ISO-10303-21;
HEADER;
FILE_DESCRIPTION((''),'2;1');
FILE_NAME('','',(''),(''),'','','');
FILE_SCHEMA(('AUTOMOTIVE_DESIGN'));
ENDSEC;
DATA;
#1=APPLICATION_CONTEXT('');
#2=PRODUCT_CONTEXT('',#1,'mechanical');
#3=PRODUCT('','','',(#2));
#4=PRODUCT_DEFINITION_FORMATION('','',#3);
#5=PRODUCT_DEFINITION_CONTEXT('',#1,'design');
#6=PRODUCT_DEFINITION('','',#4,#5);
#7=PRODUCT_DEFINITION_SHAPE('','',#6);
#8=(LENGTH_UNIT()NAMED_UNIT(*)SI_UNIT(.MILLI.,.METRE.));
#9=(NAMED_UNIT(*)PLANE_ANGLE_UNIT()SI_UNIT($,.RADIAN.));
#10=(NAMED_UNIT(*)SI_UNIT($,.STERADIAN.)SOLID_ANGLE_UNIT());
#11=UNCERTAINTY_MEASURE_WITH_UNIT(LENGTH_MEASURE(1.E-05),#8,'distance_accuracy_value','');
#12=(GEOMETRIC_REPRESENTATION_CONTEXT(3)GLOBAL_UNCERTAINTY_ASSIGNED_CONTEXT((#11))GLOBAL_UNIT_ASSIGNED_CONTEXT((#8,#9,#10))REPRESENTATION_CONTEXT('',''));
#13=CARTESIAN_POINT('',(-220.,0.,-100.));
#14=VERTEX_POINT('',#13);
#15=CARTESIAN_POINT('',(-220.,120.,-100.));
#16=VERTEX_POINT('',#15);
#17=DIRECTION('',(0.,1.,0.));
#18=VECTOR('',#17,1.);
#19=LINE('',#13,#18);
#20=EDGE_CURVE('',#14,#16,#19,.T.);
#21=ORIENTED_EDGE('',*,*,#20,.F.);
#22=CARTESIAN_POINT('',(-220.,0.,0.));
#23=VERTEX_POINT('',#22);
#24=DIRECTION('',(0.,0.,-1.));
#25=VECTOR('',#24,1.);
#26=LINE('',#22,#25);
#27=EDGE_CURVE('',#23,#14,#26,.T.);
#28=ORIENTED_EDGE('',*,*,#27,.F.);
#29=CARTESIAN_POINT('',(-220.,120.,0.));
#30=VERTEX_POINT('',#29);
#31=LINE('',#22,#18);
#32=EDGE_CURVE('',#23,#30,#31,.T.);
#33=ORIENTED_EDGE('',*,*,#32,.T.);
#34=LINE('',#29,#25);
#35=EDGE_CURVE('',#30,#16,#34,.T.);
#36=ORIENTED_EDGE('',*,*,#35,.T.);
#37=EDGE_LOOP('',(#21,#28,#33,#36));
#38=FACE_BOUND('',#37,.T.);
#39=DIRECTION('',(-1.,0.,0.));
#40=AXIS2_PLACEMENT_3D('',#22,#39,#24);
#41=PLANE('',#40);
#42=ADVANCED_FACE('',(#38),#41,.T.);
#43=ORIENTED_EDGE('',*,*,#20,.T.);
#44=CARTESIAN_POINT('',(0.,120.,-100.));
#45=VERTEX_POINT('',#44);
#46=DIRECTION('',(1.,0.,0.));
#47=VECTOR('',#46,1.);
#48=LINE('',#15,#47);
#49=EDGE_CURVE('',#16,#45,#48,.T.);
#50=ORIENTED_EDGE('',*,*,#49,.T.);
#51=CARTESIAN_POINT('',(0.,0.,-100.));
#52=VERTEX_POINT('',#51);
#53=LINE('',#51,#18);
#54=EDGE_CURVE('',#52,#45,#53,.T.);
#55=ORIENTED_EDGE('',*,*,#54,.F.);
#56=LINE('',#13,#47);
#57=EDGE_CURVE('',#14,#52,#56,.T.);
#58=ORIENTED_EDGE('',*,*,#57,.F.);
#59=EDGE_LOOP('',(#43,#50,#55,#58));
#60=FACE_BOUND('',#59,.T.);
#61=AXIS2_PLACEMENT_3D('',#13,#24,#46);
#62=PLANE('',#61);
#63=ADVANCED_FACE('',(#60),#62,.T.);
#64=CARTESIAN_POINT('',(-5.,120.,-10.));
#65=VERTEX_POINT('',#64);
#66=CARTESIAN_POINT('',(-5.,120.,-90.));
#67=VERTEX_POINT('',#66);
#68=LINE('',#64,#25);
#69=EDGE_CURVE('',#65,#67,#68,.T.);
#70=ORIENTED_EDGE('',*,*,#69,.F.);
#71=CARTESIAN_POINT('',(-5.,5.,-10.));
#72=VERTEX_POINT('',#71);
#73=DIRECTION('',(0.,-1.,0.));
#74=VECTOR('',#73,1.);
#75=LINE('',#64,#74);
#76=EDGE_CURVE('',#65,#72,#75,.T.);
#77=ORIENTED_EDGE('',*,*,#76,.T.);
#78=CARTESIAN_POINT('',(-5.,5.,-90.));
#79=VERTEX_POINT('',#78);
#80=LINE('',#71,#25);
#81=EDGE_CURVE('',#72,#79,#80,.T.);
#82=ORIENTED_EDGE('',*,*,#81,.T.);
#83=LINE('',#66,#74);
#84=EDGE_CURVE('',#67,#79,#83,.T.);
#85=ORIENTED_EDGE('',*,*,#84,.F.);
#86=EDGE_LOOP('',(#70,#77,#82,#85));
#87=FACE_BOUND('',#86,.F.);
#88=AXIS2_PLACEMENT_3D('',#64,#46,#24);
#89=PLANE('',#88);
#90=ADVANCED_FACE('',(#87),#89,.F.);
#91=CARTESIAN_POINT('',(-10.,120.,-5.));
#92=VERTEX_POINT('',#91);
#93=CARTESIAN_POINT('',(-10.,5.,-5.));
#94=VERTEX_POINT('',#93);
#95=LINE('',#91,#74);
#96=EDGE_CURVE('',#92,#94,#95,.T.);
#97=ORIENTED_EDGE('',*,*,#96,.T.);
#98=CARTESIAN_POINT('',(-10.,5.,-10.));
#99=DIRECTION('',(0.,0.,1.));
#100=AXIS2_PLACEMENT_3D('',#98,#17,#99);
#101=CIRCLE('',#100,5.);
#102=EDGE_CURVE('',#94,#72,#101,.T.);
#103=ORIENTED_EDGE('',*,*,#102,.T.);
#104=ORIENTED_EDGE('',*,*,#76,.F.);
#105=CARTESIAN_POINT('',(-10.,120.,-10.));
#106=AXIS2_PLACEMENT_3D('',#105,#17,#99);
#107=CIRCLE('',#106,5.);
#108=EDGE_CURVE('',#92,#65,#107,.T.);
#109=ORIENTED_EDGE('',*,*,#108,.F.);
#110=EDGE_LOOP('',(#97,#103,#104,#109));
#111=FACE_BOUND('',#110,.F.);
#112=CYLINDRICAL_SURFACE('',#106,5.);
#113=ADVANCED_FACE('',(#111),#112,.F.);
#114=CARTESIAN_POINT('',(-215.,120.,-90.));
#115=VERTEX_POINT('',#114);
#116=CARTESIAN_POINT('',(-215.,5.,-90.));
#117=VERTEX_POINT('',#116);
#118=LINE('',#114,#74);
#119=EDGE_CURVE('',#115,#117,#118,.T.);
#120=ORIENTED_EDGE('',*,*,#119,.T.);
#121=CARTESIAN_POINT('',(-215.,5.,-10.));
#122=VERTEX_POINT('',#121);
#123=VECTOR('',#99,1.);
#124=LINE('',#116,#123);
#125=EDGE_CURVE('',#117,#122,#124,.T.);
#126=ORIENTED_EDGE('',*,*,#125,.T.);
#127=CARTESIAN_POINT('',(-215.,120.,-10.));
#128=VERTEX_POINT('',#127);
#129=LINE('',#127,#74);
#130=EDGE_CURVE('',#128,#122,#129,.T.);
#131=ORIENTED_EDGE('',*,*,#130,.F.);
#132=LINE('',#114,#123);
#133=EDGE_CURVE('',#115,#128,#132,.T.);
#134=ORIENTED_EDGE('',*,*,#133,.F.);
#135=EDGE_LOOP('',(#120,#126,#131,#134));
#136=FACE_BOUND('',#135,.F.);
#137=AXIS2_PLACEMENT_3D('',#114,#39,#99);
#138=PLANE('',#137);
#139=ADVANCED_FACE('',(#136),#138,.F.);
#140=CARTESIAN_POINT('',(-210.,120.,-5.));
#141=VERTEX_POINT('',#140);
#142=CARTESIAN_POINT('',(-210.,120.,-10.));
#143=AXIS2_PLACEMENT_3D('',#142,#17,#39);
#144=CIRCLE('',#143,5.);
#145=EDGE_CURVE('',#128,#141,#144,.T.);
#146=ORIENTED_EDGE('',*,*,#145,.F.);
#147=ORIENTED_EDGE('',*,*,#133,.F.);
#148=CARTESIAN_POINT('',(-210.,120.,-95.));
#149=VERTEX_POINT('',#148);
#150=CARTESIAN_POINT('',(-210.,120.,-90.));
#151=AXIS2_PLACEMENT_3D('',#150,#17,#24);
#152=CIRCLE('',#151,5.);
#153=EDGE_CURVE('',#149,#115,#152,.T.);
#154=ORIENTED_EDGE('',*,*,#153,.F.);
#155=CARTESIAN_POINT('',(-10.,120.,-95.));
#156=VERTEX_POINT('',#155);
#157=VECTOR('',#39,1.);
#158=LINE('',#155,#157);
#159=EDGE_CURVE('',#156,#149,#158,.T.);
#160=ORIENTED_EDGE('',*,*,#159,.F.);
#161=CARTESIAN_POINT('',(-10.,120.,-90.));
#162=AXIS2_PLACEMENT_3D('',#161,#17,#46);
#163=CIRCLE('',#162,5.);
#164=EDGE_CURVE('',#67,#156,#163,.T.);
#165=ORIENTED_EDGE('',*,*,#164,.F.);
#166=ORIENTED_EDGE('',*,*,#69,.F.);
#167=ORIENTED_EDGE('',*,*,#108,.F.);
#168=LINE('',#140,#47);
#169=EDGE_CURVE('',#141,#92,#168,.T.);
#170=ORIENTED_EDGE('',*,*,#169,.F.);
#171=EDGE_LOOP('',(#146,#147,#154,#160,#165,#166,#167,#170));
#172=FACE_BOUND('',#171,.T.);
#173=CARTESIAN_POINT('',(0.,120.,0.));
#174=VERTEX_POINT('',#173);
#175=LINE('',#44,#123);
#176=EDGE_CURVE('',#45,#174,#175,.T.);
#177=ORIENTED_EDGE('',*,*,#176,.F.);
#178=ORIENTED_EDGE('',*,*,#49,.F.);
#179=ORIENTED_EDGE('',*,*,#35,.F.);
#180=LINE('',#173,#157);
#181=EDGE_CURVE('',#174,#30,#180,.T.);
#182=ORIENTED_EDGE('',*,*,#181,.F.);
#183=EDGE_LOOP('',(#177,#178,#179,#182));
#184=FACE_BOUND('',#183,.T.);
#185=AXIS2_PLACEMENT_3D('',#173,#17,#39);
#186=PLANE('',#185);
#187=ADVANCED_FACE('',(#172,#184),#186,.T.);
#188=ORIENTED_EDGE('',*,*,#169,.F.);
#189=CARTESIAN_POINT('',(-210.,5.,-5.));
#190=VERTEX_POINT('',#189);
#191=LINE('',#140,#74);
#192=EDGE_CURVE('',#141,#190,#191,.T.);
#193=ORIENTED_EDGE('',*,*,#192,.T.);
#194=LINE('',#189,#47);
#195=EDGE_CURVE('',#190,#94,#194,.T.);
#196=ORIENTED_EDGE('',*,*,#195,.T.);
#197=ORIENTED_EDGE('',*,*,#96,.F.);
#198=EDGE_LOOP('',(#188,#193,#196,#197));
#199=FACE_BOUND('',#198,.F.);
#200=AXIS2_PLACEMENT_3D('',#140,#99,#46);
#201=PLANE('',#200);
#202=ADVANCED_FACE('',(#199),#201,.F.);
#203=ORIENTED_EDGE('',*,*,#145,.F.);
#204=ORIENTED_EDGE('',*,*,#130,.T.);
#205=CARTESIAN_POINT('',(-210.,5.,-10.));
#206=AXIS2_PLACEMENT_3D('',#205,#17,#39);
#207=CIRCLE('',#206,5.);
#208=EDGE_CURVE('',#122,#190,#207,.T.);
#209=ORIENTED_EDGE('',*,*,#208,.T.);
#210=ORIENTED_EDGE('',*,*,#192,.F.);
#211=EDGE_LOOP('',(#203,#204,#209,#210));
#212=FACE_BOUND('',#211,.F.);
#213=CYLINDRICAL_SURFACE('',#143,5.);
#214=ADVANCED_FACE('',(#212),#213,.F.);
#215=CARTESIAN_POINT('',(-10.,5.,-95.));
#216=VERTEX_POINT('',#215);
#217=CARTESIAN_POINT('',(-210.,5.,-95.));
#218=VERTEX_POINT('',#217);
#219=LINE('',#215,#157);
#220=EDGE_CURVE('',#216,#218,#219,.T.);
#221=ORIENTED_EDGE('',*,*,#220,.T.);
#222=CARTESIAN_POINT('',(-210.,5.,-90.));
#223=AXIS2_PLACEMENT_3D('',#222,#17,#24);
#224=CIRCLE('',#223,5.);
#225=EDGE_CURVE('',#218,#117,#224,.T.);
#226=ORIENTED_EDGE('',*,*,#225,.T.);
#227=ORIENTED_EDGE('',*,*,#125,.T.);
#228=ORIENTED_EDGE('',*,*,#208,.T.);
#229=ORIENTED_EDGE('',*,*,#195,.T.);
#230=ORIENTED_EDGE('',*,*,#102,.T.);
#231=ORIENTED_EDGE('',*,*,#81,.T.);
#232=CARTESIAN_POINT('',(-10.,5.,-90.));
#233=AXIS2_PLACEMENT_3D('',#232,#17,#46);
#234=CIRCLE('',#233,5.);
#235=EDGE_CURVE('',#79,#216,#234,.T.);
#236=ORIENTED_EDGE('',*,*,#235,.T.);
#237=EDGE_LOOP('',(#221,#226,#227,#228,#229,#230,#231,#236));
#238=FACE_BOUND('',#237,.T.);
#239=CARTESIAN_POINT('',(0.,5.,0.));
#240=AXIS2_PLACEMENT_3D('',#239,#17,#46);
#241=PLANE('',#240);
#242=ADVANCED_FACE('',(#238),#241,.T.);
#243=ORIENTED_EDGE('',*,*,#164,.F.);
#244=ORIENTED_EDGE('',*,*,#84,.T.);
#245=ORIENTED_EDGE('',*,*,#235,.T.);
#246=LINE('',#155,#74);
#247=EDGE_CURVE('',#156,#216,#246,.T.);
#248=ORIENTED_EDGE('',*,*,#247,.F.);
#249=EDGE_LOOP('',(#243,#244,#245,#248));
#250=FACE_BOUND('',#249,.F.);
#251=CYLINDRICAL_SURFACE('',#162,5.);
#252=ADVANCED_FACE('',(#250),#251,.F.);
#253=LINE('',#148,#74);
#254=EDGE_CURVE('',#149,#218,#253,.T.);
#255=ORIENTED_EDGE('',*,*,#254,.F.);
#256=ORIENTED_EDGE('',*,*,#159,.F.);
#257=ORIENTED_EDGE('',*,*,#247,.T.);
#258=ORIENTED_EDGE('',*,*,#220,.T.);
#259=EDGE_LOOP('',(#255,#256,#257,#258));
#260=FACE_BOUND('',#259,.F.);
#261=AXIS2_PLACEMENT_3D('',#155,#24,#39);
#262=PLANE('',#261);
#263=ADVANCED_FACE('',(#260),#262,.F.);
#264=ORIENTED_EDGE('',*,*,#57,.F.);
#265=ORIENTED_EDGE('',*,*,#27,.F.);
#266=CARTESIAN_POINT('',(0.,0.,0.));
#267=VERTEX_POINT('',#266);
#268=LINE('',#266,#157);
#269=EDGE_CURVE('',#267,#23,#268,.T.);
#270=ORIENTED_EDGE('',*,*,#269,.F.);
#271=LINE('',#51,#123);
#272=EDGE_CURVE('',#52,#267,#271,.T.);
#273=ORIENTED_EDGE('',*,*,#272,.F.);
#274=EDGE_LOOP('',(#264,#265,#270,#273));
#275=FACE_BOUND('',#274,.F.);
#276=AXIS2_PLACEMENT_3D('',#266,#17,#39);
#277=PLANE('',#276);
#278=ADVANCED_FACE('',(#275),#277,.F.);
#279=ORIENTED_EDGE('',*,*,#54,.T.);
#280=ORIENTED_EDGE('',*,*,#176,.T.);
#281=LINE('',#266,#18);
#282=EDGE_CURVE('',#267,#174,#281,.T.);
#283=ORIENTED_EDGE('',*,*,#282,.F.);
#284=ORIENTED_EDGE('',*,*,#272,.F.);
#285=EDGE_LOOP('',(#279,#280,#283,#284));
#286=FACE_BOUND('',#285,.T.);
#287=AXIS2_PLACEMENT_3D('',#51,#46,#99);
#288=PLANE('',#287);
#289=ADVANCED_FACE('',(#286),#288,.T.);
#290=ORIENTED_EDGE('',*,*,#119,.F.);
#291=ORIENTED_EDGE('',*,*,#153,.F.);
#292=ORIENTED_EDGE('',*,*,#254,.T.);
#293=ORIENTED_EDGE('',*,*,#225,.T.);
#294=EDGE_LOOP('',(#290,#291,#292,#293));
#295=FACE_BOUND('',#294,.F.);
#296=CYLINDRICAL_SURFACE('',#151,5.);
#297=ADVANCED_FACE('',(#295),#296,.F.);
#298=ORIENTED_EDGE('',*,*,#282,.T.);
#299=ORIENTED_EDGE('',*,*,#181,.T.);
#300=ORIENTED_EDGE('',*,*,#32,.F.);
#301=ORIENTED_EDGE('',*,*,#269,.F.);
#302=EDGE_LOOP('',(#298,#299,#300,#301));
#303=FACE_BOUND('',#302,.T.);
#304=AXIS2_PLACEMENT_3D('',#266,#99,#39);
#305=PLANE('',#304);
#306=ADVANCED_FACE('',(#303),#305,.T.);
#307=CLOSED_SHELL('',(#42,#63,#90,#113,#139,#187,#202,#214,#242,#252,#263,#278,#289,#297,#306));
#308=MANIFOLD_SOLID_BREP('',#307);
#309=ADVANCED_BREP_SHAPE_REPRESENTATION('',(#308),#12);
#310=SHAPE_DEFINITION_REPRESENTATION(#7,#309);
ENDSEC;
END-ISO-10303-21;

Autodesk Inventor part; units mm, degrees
ref_plane "YZ Plane" through (0, 0, 0) normal (1, 0, 0) x (0, 1, 0)
ref_plane "XZ Plane" through (0, 0, 0) normal (0, 1, 0) x (-1, 0, 0)
ref_plane "XY Plane" through (0, 0, 0) normal (0, 0, 1) x (1, 0, 0)
sketch "Sketch1" plane through (0, 0, 0) normal (0, 1, 0) x (-1, 0, 0)
  line L0 (0, 0) -> (220, 0)
  line L1 (220, 0) -> (220, -100)
  line L2 (220, -100) -> (0, -100)
  line L3 (0, -100) -> (0, 0)
  dimension "d0" = 220
  dimension "d1" = 100
extrude "Extrusion1" add sketch "Sketch1" along normal blind 120
sketch "Sketch2" plane through (0, 120, 0) normal (0, 1, 0) x (1, 0, 0)
  line L0 (-210, 5) -> (-10, 5)
  line L1 (-5, 10) -> (-5, 90)
  line L2 (-10, 95) -> (-210, 95)
  line L3 (-215, 90) -> (-215, 10)
  line L4 (-220, 100) -> (-220, 0) projected
  line L5 (0, 0) -> (0, 100) projected
  arc A0 (-210, 95) -> (-215, 90) centre (-210, 90) ccw
  arc A1 (-5, 90) -> (-10, 95) centre (-10, 90) ccw
  arc A2 (-10, 5) -> (-5, 10) centre (-10, 10) ccw
  arc A3 (-215, 10) -> (-210, 5) centre (-210, 10) ccw
  point P0 (-215, 5)
  point P1 (-5, 95)
  point P2 (-5, 5)
  point P3 (-215, 95)
  dimension "d4" = 5
  dimension "d5" = 5
  dimension "d6" = 5
  dimension "d7" = 5
  dimension "d8" = 5
extrude "Extrusion2" cut sketch "Sketch2" against normal blind 115
properties part number "balde"
